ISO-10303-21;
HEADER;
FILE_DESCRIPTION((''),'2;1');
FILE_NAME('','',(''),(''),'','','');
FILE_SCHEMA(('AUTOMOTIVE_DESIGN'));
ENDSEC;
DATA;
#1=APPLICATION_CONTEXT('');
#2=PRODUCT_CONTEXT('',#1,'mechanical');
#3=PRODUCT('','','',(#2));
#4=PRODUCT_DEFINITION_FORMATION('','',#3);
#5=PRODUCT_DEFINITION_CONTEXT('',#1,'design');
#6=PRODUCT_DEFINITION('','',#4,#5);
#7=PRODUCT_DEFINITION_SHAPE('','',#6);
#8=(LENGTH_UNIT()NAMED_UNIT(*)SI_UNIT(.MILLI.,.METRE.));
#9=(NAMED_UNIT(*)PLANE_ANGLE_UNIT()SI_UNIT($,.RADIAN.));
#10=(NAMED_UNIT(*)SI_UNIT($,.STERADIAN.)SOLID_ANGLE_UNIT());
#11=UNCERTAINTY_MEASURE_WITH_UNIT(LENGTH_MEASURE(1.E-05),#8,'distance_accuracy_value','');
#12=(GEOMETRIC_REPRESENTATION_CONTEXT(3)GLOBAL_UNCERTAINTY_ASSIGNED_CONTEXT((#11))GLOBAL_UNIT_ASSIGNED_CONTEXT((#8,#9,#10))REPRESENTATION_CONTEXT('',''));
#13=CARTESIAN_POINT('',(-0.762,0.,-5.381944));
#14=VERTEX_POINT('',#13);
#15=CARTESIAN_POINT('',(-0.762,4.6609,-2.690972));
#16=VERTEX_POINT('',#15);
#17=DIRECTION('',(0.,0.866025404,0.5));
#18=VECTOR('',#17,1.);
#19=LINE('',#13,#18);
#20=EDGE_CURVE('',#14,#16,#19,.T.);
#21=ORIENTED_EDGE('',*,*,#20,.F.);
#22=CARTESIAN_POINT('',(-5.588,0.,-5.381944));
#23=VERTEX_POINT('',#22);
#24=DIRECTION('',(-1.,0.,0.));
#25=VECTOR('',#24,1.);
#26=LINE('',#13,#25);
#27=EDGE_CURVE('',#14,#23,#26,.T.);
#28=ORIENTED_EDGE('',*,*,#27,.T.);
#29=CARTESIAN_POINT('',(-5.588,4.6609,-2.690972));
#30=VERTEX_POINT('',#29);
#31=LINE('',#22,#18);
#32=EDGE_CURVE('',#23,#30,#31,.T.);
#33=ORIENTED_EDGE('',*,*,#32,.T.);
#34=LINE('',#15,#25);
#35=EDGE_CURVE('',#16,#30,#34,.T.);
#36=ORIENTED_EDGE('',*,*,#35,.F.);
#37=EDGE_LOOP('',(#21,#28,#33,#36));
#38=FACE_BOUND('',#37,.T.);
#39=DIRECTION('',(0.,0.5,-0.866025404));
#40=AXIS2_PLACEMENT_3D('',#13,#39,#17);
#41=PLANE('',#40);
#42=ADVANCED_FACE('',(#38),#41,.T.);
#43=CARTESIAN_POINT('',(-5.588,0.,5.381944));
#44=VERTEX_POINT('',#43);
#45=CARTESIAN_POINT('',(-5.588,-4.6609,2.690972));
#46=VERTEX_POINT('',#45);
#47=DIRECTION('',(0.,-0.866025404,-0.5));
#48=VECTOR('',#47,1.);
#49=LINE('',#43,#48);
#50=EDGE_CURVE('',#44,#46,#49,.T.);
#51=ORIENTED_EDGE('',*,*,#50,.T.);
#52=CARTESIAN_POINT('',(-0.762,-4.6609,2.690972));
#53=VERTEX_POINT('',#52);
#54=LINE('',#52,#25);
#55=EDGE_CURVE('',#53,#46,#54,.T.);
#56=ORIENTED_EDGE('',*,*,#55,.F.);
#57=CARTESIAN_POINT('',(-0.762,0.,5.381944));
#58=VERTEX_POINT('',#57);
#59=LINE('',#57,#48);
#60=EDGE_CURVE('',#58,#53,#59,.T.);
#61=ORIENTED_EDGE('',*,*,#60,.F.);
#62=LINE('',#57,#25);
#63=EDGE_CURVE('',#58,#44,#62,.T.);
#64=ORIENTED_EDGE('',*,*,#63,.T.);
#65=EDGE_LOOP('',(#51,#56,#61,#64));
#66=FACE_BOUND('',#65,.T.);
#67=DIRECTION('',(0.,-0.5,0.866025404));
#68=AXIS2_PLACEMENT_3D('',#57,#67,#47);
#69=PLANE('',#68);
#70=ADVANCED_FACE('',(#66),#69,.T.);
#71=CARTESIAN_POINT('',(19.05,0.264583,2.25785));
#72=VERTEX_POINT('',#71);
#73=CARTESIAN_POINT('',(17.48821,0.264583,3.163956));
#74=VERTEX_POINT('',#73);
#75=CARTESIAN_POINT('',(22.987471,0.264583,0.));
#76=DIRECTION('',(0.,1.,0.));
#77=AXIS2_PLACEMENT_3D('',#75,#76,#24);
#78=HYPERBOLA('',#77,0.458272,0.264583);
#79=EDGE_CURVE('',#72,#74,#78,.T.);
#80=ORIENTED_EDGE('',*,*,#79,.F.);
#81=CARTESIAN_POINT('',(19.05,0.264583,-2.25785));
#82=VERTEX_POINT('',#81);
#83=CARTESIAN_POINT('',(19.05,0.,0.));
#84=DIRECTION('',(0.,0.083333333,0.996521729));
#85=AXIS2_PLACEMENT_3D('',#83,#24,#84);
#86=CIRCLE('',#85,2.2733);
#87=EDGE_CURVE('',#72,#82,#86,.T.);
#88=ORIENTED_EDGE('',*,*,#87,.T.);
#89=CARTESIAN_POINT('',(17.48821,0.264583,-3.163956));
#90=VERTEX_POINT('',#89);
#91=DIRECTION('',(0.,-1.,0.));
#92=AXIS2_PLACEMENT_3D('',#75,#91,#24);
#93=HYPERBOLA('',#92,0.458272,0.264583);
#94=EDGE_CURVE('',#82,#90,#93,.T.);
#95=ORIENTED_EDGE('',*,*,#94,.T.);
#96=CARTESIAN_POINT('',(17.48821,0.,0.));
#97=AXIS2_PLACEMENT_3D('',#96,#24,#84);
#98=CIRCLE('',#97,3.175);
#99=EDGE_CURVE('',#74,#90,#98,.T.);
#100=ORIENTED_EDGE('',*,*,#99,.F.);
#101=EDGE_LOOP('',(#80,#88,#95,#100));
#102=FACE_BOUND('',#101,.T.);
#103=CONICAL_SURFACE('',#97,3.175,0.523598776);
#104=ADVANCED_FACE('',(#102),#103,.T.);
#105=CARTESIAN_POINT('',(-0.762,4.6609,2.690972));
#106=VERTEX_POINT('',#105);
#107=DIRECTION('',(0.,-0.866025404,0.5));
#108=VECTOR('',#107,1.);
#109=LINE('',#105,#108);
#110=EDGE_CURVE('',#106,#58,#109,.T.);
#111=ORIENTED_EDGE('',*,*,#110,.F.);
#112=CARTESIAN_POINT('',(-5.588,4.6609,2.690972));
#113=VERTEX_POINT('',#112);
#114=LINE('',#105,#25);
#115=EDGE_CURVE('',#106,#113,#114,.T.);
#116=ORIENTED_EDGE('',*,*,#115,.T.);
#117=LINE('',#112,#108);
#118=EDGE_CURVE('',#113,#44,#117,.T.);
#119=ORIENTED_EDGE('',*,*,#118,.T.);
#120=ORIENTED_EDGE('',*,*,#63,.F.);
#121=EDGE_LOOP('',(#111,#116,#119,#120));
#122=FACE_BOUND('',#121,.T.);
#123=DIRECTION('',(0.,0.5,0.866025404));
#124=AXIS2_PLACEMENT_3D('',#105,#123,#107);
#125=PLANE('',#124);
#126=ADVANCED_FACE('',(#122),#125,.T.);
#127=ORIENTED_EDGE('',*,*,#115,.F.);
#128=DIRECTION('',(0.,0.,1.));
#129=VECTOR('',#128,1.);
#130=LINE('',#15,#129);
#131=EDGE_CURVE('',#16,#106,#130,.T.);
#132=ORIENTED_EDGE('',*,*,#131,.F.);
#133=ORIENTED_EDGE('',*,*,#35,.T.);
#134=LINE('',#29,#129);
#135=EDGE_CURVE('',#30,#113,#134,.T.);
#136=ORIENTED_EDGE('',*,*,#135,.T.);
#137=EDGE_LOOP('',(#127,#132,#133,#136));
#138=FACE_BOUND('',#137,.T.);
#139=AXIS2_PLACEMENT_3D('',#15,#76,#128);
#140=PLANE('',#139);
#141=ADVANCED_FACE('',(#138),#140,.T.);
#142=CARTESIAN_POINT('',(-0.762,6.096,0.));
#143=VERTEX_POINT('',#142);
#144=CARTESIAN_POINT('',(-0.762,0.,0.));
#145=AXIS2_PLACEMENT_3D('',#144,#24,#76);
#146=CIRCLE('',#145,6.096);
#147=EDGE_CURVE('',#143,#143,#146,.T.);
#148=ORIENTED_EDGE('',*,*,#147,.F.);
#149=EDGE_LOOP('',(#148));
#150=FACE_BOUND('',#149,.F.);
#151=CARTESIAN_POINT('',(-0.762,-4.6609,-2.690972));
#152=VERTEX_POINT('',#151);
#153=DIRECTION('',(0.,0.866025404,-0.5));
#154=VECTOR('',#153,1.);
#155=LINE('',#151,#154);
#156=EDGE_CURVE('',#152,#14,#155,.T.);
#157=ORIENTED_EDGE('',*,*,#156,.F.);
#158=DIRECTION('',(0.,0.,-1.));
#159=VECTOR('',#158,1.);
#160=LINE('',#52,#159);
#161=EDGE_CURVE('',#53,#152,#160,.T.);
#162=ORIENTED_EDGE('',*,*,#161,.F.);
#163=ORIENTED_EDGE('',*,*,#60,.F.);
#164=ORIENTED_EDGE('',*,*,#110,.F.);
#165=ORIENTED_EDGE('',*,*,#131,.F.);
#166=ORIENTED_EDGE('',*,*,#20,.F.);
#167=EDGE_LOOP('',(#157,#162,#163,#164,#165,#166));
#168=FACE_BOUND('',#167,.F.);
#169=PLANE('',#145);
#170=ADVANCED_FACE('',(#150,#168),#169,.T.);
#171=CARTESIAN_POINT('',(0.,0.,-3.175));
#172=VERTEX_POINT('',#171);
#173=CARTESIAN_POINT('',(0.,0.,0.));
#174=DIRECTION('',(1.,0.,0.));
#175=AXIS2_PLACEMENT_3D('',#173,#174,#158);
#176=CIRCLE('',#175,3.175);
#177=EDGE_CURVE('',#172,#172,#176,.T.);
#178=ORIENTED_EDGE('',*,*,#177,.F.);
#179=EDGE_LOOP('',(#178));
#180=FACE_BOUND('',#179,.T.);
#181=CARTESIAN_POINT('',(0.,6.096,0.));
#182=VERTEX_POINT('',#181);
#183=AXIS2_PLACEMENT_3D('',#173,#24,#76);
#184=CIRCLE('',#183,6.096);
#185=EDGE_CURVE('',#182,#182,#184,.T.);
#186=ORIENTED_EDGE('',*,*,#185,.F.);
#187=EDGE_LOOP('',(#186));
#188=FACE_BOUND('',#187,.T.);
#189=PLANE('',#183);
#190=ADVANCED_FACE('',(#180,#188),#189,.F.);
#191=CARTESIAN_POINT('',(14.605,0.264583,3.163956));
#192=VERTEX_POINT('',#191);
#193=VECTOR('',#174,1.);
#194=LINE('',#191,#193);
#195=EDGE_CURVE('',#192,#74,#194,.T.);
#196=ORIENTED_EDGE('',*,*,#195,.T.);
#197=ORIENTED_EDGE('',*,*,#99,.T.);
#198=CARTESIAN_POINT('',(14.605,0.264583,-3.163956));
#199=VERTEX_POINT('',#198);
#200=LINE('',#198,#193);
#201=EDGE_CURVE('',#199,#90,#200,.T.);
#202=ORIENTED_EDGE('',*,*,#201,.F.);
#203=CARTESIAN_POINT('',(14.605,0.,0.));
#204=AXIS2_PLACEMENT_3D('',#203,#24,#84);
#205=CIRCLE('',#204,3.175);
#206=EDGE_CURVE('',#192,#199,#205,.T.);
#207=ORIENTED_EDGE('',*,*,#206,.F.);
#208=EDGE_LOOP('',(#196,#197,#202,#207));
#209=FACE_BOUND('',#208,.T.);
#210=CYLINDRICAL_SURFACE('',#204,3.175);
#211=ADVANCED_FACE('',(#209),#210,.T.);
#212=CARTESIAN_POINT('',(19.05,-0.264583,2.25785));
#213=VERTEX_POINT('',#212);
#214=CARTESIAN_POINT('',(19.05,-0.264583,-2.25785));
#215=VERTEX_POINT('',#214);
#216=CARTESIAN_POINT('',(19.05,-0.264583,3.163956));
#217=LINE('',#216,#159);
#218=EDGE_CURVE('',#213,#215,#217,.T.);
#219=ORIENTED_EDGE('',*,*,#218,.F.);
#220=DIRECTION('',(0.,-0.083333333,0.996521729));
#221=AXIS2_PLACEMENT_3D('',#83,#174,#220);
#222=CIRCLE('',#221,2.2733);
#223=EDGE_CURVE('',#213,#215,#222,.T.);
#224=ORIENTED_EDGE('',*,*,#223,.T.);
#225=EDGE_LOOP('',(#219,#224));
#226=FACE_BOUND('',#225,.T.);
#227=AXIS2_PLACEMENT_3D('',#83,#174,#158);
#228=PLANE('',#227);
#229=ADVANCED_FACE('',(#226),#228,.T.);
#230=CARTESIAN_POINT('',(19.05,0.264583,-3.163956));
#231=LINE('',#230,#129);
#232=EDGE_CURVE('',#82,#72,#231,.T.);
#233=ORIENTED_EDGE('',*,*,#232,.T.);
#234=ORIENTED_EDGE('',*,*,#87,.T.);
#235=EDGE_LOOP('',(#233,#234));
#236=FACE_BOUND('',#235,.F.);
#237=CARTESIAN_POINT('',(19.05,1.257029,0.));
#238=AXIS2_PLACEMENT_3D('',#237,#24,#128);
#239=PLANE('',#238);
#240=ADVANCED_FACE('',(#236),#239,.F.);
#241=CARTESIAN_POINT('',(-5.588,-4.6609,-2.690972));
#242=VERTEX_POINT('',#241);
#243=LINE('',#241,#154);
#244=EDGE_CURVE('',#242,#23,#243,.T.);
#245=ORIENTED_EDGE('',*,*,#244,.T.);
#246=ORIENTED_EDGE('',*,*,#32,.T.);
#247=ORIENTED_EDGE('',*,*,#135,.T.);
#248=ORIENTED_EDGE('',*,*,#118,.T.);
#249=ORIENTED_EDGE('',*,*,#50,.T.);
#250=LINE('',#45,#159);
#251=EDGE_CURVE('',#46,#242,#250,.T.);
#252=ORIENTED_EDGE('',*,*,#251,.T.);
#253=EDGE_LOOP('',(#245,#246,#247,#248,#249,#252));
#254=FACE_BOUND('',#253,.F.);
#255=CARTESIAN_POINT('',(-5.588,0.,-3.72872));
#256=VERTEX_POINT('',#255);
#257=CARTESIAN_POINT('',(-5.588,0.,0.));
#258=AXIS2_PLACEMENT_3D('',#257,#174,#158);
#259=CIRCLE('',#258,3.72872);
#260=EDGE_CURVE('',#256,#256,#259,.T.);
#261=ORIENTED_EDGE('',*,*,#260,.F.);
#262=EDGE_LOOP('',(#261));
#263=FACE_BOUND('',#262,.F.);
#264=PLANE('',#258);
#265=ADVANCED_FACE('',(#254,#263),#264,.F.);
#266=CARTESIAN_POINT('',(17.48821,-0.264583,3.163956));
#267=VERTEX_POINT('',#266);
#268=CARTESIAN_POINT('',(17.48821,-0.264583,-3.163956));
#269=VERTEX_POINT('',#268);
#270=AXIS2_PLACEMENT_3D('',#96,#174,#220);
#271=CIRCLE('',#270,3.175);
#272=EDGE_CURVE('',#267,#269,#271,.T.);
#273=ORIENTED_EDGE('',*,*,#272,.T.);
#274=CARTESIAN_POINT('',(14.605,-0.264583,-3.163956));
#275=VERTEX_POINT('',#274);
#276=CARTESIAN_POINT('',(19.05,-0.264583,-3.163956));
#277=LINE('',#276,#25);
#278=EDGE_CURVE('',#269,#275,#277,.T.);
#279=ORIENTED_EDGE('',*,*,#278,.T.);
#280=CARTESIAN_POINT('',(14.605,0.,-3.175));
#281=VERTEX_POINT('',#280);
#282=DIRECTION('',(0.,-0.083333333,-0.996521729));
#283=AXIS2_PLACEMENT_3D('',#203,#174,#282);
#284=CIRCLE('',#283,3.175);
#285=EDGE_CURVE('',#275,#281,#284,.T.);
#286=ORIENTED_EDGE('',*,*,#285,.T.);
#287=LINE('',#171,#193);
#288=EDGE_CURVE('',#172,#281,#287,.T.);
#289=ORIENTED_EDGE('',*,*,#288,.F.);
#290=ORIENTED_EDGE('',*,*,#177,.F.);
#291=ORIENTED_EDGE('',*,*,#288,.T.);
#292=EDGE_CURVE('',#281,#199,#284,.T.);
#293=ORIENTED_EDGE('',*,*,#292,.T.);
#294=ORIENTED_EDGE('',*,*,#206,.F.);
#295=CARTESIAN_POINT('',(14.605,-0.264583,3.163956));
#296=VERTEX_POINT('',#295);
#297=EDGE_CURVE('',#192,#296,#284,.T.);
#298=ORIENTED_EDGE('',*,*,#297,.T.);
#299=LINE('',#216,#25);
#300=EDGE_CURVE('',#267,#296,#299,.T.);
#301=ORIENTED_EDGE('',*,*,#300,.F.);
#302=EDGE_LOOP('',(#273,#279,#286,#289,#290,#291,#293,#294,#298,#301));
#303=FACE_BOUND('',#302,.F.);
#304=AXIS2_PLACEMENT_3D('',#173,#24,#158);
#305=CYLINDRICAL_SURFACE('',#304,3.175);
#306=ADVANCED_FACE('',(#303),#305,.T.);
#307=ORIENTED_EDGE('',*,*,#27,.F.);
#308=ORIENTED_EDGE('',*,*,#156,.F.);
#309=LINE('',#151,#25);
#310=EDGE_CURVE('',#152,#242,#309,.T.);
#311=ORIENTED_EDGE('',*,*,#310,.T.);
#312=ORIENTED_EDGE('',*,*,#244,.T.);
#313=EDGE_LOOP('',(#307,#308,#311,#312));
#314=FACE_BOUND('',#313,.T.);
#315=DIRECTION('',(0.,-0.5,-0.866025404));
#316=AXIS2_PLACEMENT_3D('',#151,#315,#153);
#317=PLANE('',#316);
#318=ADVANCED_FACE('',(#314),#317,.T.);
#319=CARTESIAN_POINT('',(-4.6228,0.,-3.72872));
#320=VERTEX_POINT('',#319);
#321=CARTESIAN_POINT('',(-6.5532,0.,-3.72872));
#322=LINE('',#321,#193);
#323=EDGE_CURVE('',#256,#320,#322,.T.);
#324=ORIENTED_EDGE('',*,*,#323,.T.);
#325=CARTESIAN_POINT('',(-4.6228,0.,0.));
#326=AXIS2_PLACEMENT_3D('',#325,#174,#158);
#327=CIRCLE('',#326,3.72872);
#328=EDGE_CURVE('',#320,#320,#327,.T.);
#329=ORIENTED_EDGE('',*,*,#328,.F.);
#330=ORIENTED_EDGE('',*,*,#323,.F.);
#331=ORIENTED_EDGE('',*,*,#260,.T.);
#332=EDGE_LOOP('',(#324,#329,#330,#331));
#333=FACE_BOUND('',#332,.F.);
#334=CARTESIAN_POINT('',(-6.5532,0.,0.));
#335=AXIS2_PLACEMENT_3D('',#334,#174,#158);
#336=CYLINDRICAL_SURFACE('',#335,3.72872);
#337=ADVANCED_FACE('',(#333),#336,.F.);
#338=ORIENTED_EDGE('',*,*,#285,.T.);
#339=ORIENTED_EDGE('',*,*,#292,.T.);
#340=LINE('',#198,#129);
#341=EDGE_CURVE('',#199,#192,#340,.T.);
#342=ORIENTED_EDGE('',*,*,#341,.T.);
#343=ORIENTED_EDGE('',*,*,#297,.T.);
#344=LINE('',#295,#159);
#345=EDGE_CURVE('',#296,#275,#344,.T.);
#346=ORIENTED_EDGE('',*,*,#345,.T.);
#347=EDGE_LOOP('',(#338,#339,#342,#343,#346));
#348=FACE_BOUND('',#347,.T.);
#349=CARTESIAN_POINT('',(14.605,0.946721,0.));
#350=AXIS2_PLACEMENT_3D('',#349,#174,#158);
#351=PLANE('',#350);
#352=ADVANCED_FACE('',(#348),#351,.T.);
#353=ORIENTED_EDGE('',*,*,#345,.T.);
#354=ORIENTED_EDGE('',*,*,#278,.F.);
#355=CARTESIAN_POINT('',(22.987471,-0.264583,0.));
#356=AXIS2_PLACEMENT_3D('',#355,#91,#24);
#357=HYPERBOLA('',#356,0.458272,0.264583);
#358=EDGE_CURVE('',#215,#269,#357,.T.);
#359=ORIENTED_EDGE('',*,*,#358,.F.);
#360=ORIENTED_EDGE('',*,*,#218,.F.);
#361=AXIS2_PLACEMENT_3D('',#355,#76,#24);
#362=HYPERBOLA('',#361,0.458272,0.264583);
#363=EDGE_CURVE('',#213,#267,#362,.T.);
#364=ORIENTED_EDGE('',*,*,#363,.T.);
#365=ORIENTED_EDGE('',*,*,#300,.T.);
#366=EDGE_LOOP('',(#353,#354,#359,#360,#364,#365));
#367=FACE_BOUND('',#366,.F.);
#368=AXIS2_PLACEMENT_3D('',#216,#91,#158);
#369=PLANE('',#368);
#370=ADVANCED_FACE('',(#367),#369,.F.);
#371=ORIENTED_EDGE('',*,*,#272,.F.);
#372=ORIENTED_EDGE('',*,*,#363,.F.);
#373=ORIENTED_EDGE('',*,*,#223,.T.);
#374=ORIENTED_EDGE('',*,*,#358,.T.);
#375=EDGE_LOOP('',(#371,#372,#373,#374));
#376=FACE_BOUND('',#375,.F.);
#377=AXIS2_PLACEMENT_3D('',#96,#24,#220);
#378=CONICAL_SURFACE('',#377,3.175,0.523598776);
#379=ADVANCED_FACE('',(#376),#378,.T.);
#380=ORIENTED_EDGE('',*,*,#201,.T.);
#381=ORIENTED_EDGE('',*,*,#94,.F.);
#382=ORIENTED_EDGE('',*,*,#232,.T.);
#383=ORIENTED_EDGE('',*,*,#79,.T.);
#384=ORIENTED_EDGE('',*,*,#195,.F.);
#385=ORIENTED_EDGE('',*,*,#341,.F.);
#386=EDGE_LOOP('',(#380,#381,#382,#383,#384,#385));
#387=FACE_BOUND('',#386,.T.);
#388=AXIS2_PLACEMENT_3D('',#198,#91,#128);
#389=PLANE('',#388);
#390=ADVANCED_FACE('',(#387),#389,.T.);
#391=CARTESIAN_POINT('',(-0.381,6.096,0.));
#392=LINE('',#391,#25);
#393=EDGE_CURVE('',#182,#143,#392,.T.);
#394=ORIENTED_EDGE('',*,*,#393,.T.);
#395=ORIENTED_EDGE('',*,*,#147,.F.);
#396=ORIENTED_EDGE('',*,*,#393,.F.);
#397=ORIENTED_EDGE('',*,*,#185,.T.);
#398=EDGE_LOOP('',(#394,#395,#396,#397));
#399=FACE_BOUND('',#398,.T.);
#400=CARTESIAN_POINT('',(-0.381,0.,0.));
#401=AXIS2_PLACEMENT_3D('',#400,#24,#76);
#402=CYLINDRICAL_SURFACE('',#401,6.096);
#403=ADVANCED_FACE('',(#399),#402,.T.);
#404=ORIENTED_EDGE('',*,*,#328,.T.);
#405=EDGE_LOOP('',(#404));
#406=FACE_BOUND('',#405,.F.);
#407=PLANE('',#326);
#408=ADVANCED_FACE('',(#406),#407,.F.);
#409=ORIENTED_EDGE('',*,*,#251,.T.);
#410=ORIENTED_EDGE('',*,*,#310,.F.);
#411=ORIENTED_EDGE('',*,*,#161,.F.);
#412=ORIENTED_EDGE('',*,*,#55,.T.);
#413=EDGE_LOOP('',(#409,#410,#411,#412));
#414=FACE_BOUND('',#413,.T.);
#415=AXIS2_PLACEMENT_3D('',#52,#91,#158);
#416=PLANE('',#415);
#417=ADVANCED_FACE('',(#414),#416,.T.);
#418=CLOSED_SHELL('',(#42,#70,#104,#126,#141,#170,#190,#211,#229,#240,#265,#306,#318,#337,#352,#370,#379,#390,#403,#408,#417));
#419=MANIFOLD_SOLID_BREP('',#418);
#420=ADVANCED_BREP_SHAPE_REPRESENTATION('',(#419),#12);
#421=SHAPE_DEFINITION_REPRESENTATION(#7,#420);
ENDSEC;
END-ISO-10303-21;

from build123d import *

# Parameters (mm, degrees)
SKETCH1_W                  = 0.762
SKETCH1_H                  = 6.096
SKETCH2_R                  = 3.175
BOSS_EXTRUDE1_DEPTH        = 19.05
CUT_EXTRUDE1_DEPTH         = 4.445
BOSS_EXTRUDE2_DEPTH        = 4.445
BOSS_EXTRUDE3_DEPTH        = 4.826
M6_5_CLEARANCE_HOLE1_D     = 7.45744
M6_5_CLEARANCE_HOLE1_DEPTH = 0.9652
CHAMFER1_SIZE              = 0.9017
CHAMFER1_SIZE2             = 1.561790213
CHAMFER1_PART_2_SIZE       = 0.9017
CHAMFER1_PART_2_SIZE2      = 1.561790213


with BuildPart() as part:
    # Sketch1 → Revolve1 (revolve)
    with BuildSketch(Plane(origin=(0, 0, 0), x_dir=(-1, 0, 0), z_dir=(0, 0, -1))):
        with Locations((0.381, 3.048)):
            Rectangle(SKETCH1_W, SKETCH1_H)
    revolve(axis=Axis((0, 0, 0), (-1, 0, 0)))

    # Sketch2 → Boss-Extrude1 (add)
    with BuildSketch(Plane(origin=(0, 0, 0), x_dir=(0, 0, -1), z_dir=(1, 0, 0))):
        Circle(SKETCH2_R)
    extrude(amount=BOSS_EXTRUDE1_DEPTH)

    # Sketch3 → Cut-Extrude1 (cut)
    with BuildSketch(Plane(origin=(19.05, 0, 0), x_dir=(0, 0, -1), z_dir=(1, 0, 0))):
        with BuildLine():
            Line((-3.163956488, -0.264583333), (3.163956488, -0.264583333))
            ThreePointArc((3.163956488, -0.264583333), (0, 3.175), (-3.163956488, -0.264583333))
        make_face()
    extrude(amount=-CUT_EXTRUDE1_DEPTH, mode=Mode.SUBTRACT)

    # Sketch4 → Boss-Extrude2 (add)
    with BuildSketch(Plane(origin=(14.605, 0, 0), x_dir=(0, 0, -1), z_dir=(1, 0, 0))):
        with BuildLine():
            Line((3.163956488, 0.264583333), (-3.163956488, 0.264583333))
            ThreePointArc((-3.163956488, 0.264583333), (0, 3.175), (3.163956488, 0.264583333))
        make_face()
    extrude(amount=BOSS_EXTRUDE2_DEPTH)

    # Sketch5 → Boss-Extrude3 (add)
    with BuildSketch(Plane.ZY.offset(0.762)):
        Polygon((-2.69097187, -4.6609), (-5.381943739, 0), (-2.69097187, 4.6609), (2.69097187, 4.6609), (5.381943739, 0), (2.69097187, -4.6609), align=None)
    extrude(amount=BOSS_EXTRUDE3_DEPTH)

    # M6.5 Clearance Hole1
    with Locations(Plane.ZY.offset(5.588)):
        with Locations((0, 0)):
            Hole(M6_5_CLEARANCE_HOLE1_D / 2, depth=M6_5_CLEARANCE_HOLE1_DEPTH)

    # Chamfer1
    chamfer1_edges = [part.edges().sort_by_distance(p)[0] for p in [
        (19.05, 3.175, 0),
    ]]
    chamfer1_side = [part.faces().sort_by_distance(p)[0] for p in [
        (19.05, 1.491577602, 0),
    ]]
    chamfer(chamfer1_edges, length=CHAMFER1_SIZE, length2=CHAMFER1_SIZE2, reference=chamfer1_side[0])

    # Chamfer1 part 2
    chamfer1_part_2_edges = [part.edges().sort_by_distance(p)[0] for p in [
        (19.05, -3.175, 0),
    ]]
    chamfer1_part_2_side = [part.faces().sort_by_distance(p)[0] for p in [
        (19.05, -1.491577602, 0),
    ]]
    chamfer(chamfer1_part_2_edges, length=CHAMFER1_PART_2_SIZE, length2=CHAMFER1_PART_2_SIZE2, reference=chamfer1_part_2_side[0])


solid = part.part
